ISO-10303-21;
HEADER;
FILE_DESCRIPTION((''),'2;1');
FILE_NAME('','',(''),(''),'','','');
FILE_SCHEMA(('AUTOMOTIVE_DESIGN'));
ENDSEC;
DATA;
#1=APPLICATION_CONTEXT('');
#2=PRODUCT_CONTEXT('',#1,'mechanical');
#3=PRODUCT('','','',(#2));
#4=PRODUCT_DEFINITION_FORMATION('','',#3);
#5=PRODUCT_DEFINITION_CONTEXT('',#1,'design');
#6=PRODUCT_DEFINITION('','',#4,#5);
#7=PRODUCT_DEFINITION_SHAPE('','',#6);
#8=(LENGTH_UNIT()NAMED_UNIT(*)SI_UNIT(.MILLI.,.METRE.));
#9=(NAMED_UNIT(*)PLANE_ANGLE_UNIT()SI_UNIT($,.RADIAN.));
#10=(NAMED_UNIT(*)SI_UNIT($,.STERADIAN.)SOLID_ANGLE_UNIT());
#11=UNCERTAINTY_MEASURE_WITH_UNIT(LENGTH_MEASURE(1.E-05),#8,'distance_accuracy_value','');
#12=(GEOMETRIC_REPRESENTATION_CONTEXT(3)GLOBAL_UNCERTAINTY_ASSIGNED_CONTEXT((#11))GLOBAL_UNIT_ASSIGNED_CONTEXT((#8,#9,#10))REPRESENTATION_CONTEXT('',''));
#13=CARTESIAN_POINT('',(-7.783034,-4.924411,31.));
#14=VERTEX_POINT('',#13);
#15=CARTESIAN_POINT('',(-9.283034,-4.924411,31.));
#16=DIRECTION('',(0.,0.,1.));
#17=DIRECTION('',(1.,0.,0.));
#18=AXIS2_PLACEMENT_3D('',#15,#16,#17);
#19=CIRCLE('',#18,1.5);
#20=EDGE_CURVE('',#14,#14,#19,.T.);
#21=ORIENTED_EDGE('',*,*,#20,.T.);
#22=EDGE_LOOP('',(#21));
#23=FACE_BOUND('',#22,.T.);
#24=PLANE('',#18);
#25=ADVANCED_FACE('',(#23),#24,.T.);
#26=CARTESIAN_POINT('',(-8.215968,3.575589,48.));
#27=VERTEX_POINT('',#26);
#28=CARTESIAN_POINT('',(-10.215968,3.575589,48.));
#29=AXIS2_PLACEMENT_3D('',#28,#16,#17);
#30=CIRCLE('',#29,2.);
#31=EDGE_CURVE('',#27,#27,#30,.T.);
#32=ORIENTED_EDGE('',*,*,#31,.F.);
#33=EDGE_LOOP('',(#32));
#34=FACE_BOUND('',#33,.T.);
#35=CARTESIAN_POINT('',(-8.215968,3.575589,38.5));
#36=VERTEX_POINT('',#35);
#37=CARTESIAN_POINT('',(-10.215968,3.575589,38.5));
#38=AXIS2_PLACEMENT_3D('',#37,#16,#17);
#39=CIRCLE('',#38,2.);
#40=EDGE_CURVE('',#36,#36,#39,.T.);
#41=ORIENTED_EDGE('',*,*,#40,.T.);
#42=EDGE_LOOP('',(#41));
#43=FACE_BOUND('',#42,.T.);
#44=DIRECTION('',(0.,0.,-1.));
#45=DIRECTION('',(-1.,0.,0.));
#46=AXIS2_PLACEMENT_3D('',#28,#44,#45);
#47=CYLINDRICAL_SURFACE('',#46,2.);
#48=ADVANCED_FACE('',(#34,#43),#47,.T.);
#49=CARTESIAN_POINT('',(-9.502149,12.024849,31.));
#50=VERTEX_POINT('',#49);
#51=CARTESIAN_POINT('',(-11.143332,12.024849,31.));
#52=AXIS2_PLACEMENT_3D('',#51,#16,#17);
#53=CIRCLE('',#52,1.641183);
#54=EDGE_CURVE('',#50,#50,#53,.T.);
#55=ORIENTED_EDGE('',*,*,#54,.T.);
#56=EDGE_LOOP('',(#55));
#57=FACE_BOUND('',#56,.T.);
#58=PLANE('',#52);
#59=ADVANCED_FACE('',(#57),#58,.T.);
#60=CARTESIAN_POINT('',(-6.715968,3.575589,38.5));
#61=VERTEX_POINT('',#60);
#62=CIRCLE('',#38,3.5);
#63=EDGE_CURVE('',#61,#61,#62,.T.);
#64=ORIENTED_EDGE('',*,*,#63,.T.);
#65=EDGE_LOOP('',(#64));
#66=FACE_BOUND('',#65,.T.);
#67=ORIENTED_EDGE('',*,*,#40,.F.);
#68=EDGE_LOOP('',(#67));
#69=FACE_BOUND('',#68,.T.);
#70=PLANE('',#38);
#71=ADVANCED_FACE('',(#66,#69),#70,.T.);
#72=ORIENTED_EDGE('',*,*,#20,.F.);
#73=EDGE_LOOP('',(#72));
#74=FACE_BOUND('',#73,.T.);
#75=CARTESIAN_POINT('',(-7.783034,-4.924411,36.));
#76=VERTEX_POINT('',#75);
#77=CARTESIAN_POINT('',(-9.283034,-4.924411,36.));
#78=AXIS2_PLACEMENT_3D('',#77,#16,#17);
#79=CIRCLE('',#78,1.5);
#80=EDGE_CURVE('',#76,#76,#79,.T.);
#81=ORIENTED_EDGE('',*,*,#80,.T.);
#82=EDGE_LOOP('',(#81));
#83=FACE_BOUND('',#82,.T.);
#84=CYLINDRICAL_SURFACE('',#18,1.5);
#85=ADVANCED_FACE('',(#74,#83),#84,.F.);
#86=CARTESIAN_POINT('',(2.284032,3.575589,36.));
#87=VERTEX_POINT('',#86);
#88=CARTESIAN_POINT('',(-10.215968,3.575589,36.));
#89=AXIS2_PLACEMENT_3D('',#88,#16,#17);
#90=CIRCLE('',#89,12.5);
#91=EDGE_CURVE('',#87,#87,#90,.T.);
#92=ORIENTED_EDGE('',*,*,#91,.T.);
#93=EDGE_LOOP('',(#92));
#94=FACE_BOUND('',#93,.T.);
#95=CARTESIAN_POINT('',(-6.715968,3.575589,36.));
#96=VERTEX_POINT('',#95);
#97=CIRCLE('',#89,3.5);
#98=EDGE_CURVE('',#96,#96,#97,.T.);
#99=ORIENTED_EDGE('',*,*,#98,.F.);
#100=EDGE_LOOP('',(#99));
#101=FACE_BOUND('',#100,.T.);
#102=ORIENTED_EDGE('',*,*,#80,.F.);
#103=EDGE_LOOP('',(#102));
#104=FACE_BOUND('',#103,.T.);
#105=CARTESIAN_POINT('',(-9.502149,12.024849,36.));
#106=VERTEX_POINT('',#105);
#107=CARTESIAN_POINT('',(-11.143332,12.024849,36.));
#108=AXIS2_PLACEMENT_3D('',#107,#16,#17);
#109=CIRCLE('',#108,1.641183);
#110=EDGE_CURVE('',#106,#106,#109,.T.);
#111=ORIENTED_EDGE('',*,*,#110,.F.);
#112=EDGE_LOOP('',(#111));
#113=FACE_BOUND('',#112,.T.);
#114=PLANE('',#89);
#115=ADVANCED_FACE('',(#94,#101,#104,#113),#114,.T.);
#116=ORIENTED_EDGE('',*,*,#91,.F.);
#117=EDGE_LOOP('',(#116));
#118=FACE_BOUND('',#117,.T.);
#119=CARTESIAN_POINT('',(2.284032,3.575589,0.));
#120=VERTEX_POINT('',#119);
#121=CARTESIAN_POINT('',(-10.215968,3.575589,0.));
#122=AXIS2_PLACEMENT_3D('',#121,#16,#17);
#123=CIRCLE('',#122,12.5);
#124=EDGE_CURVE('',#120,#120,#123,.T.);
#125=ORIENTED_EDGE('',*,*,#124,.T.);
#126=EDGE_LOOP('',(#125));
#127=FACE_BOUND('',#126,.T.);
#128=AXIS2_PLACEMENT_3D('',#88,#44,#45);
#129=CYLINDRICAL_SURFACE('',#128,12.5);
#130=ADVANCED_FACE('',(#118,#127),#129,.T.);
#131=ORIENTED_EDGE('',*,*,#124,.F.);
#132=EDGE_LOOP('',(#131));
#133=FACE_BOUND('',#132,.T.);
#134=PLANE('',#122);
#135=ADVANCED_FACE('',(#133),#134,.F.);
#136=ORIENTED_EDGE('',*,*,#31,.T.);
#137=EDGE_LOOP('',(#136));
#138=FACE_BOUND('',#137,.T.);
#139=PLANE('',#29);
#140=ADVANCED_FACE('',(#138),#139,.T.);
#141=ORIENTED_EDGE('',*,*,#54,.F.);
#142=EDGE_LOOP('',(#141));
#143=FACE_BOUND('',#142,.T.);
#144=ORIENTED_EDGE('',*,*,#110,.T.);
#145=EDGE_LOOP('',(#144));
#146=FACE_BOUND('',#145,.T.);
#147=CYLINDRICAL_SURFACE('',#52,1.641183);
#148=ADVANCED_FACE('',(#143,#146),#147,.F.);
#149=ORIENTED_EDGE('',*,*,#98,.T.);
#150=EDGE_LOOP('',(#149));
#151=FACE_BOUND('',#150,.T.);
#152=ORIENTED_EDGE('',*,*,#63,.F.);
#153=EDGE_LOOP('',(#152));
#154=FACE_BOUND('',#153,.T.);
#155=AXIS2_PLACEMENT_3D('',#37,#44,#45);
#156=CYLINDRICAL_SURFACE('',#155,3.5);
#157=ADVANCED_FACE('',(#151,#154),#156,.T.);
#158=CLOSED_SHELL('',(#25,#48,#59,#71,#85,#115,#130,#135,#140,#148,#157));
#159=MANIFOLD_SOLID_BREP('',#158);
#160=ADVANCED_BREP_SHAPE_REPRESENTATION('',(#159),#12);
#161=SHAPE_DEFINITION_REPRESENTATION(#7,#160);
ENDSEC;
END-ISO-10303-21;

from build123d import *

# Parameters (mm, degrees)
SKETCH1_R           = 12.5
BOSS_EXTRUDE1_DEPTH = 36
SKETCH2_R           = 3.5
BOSS_EXTRUDE2_DEPTH = 2.5
SKETCH3_R           = 2
BOSS_EXTRUDE3_DEPTH = 9.5
SKETCH4_R           = 1.641182994
SKETCH4_R_2         = 1.5
CUT_EXTRUDE1_DEPTH  = 5


with BuildPart() as part:
    # Sketch1 → Boss-Extrude1 (new body)
    with BuildSketch(Plane.XY):
        with Locations((-10.215967641, 3.575588675)):
            Circle(SKETCH1_R)
    extrude(amount=BOSS_EXTRUDE1_DEPTH)

    # Sketch2 → Boss-Extrude2 (add)
    with BuildSketch(Plane.XY.offset(36)):
        with Locations((-10.215967641, 3.575588675)):
            Circle(SKETCH2_R)
    extrude(amount=BOSS_EXTRUDE2_DEPTH)

    # Sketch3 → Boss-Extrude3 (add)
    with BuildSketch(Plane.XY.offset(38.5)):
        with Locations((-10.215967641, 3.575588675)):
            Circle(SKETCH3_R)
    extrude(amount=BOSS_EXTRUDE3_DEPTH)

    # Sketch4 → Cut-Extrude1 (cut)
    with BuildSketch(Plane.XY.offset(36)):
        with Locations((-11.143331912, 12.024848731)):
            Circle(SKETCH4_R)
        with Locations((-9.283034314, -4.924411325)):
            Circle(SKETCH4_R_2)
    extrude(amount=-CUT_EXTRUDE1_DEPTH, mode=Mode.SUBTRACT)


solid = part.part
